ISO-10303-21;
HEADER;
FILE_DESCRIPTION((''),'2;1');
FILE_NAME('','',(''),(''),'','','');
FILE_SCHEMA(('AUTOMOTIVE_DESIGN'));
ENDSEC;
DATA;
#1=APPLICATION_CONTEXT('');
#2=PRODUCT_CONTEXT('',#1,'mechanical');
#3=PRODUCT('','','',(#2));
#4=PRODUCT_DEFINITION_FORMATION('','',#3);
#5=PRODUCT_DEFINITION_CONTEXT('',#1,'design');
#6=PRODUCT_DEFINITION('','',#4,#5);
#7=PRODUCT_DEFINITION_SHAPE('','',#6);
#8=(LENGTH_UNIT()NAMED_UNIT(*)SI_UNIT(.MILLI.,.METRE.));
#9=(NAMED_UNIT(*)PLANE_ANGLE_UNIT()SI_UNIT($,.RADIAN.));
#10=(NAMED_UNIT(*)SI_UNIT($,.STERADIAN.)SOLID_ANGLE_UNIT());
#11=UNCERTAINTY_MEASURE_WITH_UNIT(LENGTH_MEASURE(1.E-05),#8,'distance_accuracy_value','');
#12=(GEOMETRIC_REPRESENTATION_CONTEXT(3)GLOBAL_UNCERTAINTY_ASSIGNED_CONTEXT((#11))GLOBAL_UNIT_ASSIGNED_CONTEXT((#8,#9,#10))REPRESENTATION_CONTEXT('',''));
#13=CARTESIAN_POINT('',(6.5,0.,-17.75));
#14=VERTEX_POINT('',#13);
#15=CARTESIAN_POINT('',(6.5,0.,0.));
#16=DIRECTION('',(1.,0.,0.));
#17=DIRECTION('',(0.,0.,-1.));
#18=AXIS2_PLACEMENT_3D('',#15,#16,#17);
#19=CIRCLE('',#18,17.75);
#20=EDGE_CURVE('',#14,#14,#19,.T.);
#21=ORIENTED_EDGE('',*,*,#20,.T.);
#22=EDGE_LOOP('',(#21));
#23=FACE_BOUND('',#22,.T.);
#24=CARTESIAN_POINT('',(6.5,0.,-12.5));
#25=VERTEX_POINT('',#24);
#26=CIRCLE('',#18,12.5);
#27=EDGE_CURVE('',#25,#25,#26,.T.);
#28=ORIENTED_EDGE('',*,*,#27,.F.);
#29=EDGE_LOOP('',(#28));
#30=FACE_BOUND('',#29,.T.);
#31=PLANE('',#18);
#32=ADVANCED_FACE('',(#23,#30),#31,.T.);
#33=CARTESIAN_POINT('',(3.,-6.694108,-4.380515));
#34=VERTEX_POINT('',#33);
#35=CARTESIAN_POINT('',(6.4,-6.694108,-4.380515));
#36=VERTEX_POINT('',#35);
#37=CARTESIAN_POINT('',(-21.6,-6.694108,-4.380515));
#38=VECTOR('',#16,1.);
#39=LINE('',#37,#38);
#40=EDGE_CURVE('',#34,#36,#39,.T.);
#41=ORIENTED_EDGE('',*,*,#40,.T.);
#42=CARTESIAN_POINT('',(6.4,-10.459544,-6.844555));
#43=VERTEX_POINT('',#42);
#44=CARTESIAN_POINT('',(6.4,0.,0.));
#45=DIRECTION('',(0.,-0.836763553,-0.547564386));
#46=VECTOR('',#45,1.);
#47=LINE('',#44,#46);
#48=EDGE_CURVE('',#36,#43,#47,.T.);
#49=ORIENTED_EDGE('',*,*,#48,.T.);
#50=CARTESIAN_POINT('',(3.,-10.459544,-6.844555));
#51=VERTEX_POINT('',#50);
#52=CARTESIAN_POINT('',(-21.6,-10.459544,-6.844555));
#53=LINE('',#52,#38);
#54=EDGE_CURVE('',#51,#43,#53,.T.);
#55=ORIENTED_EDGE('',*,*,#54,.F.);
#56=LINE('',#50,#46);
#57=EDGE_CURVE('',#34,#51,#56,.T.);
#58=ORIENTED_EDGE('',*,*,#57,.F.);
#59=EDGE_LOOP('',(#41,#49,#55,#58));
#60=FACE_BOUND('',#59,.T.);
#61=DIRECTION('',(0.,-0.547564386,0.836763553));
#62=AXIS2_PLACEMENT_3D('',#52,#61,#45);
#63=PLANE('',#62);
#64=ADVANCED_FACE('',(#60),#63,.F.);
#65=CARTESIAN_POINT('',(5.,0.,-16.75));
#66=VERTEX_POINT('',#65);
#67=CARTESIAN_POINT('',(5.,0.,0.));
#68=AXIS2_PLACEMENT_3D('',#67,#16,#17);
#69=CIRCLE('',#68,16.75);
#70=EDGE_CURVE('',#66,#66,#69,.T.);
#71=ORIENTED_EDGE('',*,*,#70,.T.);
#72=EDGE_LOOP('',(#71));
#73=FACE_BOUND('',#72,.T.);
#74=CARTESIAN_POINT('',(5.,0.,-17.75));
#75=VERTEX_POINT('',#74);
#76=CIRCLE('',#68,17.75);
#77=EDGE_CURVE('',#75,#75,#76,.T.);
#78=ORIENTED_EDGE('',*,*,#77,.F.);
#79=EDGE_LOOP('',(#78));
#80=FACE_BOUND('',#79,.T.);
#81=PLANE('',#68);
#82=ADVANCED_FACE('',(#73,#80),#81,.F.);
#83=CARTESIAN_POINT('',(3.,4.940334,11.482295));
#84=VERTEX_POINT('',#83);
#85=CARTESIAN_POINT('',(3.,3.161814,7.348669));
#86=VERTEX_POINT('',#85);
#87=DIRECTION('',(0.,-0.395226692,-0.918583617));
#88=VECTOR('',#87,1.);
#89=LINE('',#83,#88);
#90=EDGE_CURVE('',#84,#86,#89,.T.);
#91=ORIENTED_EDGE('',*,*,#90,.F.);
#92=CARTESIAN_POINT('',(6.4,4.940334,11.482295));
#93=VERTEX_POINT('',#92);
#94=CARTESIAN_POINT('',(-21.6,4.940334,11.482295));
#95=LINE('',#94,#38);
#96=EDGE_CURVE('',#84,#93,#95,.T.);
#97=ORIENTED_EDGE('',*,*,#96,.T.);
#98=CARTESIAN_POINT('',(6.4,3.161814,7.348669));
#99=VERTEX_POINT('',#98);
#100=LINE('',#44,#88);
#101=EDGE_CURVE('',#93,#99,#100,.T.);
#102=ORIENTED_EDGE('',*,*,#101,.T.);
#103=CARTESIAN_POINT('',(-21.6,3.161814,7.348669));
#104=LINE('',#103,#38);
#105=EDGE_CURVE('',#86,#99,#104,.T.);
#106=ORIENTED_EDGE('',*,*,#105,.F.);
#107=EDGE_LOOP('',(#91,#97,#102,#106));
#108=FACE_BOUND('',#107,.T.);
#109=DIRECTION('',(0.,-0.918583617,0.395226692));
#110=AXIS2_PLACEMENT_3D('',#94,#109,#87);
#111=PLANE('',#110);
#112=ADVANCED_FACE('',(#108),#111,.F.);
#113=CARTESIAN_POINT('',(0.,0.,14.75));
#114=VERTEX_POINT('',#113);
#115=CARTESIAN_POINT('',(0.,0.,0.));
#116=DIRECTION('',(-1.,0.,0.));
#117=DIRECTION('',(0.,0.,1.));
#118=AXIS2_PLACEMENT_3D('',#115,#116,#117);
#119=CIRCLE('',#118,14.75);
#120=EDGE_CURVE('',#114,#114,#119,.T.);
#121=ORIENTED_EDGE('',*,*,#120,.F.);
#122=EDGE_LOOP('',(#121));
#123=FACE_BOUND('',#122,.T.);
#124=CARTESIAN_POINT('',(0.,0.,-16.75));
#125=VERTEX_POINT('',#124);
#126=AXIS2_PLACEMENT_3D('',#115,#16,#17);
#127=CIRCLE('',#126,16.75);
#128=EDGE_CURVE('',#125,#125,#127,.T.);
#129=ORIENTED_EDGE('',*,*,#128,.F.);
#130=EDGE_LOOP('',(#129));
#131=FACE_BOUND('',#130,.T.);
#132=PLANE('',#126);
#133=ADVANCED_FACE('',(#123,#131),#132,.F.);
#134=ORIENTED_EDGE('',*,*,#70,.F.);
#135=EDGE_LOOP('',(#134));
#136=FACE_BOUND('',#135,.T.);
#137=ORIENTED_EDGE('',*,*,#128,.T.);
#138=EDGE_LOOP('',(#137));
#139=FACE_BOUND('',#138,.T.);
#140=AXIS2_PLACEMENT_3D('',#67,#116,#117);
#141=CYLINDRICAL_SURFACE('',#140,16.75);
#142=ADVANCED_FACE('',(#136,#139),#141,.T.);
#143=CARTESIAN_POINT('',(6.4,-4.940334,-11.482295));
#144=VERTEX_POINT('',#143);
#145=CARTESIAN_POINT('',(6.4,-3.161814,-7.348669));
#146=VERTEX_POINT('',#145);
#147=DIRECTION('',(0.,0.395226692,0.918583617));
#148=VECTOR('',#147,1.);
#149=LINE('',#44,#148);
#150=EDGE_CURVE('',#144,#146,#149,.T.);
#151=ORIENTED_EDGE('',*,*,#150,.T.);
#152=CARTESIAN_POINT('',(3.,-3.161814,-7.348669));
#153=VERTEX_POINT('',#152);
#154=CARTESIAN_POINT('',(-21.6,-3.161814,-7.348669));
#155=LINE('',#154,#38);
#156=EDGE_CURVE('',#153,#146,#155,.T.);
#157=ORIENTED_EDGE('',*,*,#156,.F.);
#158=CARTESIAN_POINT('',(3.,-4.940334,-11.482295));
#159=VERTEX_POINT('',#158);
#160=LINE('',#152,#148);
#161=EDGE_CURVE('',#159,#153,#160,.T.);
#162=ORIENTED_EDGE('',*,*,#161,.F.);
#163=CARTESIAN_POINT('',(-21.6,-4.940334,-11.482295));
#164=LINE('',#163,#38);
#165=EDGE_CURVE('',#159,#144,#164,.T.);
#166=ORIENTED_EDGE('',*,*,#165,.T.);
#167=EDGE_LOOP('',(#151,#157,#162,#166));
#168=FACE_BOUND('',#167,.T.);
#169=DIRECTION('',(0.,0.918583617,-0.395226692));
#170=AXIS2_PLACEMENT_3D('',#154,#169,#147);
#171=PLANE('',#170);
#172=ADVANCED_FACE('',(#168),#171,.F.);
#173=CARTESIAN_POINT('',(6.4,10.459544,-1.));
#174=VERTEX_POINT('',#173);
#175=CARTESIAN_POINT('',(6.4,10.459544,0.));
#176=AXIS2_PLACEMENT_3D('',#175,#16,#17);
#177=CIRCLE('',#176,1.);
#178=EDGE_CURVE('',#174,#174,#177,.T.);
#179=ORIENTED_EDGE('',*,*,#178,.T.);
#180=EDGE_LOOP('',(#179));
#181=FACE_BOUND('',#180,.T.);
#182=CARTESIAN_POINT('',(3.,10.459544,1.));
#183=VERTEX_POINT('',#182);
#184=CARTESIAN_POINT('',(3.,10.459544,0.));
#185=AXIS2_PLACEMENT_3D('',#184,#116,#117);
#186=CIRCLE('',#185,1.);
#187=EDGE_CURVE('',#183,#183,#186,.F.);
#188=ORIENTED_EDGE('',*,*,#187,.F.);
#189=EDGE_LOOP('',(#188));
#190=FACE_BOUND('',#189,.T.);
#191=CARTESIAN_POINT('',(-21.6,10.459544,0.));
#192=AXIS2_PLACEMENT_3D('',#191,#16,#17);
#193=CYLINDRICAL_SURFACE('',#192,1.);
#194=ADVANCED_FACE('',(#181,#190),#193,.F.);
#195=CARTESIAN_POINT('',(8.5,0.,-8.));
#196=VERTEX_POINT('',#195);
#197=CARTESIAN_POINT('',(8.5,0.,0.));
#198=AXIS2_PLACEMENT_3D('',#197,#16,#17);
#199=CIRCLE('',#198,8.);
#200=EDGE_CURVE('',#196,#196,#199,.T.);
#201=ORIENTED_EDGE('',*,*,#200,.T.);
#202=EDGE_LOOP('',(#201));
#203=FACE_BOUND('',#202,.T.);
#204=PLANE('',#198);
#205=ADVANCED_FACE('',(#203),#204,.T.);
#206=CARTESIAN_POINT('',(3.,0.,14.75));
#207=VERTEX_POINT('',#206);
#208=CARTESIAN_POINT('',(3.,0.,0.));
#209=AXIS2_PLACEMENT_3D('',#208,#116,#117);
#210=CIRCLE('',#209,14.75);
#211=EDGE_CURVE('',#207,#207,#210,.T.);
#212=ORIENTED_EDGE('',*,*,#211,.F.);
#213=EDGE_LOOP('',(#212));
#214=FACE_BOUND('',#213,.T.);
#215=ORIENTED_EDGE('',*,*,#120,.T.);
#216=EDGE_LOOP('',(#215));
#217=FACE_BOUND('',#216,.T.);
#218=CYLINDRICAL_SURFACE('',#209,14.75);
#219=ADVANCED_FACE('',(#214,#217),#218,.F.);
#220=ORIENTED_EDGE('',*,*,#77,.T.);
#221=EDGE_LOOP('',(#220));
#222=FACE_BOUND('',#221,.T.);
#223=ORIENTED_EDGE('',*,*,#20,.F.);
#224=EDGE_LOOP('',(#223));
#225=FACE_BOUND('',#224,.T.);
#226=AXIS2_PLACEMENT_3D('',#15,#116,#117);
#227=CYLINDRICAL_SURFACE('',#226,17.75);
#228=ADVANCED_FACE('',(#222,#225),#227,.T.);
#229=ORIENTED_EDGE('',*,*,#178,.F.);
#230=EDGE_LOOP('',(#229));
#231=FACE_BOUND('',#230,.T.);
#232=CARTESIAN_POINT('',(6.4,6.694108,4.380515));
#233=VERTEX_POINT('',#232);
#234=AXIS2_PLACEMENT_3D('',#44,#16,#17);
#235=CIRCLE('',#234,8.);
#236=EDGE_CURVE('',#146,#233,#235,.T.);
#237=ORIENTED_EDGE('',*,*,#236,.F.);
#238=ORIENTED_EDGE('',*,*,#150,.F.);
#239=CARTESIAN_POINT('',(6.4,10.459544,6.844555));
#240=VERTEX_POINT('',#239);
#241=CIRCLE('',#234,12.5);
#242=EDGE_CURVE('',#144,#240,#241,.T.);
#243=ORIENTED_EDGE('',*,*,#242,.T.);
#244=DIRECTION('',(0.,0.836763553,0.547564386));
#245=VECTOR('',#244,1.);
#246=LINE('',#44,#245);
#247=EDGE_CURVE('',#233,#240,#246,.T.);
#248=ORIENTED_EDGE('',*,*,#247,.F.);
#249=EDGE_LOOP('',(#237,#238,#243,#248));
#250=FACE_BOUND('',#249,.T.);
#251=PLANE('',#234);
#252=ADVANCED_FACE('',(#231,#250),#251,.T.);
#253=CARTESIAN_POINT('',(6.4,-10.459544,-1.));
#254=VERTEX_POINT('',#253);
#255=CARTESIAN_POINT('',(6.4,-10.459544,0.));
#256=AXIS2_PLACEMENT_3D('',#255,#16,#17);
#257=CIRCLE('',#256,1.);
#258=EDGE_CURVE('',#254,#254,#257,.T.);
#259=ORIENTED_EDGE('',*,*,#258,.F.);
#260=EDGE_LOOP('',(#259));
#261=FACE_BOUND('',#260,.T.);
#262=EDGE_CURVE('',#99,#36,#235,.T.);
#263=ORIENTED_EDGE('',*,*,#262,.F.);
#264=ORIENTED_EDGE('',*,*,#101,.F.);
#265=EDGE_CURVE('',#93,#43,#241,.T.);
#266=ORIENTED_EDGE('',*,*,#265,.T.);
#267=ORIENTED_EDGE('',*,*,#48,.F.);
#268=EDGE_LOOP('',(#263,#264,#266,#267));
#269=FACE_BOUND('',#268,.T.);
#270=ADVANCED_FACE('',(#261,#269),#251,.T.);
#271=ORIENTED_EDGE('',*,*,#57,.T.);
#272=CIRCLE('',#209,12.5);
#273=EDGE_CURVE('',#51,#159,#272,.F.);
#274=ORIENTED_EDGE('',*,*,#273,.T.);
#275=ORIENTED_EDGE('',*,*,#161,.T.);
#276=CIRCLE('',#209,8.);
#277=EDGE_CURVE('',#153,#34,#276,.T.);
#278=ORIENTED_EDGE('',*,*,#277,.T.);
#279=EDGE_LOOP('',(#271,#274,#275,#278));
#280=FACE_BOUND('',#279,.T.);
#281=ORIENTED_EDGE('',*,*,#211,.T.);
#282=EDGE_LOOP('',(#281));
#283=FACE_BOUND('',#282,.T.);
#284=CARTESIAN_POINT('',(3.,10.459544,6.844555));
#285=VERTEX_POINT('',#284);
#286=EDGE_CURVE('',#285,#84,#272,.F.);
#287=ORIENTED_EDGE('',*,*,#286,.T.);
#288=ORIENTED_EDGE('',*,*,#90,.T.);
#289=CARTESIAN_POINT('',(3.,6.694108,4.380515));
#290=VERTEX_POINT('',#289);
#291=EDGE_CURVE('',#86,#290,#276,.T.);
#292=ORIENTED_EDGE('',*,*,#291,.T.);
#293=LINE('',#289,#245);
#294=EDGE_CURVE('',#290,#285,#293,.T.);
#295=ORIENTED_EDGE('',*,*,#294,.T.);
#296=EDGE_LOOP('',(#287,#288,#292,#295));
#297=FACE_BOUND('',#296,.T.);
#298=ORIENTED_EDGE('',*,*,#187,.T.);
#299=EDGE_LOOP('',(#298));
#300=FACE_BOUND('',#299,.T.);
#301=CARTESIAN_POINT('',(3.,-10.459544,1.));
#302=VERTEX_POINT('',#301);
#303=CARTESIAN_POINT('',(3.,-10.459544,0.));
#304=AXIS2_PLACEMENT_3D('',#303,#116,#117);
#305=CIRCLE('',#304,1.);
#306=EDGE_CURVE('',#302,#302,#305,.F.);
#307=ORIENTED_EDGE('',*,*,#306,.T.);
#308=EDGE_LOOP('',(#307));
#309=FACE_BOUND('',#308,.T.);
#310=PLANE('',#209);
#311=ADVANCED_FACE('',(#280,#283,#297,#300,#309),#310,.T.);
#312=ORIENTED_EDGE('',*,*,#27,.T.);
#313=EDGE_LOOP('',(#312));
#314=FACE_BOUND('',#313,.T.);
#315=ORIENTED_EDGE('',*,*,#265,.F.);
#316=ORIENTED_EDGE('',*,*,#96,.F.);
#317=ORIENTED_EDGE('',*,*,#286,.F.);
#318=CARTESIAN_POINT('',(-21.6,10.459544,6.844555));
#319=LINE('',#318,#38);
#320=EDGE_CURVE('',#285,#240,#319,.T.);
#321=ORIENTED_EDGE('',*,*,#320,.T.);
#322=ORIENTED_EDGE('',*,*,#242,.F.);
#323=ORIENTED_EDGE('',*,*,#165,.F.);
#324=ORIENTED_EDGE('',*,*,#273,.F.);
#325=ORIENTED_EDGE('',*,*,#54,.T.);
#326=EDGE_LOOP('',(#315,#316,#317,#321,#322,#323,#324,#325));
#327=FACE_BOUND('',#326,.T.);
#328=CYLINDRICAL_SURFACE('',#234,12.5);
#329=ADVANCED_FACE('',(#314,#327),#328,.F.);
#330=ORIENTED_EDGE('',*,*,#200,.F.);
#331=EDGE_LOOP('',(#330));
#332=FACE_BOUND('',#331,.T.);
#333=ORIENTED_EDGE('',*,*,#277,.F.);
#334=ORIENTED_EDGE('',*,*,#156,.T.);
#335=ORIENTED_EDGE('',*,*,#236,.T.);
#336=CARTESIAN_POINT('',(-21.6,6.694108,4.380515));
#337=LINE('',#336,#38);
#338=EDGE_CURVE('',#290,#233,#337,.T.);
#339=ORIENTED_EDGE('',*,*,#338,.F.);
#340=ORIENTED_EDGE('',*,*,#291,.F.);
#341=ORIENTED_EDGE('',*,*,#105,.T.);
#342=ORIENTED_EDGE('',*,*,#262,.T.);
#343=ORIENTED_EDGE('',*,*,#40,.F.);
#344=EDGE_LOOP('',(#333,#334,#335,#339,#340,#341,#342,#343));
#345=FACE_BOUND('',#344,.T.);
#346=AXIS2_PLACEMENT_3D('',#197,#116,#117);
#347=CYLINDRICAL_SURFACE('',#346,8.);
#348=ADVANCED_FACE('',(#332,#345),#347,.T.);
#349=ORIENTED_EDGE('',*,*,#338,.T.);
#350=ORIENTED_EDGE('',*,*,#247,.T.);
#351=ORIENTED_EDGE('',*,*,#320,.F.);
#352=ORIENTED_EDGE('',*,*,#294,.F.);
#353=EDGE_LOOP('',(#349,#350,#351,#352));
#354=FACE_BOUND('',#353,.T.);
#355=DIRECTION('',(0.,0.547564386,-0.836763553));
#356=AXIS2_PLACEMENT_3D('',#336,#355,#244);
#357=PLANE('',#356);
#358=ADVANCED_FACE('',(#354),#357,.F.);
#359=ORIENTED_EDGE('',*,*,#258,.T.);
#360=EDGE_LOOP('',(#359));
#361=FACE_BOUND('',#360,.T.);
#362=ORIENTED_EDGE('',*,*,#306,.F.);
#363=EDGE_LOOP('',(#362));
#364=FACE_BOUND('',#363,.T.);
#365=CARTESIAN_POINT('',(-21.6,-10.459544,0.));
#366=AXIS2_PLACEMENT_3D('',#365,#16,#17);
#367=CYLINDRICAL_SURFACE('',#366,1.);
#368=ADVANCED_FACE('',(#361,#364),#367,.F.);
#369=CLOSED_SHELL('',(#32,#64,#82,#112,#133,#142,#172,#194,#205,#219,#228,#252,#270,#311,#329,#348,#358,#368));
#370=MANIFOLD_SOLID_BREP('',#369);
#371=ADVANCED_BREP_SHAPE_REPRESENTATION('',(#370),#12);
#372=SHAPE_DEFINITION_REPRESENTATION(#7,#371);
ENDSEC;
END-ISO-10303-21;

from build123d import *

# Parameters (mm, degrees)
SKETCH1_R          = 16.75
EXTRUDE1_DEPTH     = 5
SKETCH2_R          = 17.75
EXTRUDE2_DEPTH     = 1.5
SKETCH3_R          = 8
EXTRUDE3_DEPTH     = 2
SKETCH4_R          = 12.5
SKETCH4_R_2        = 8
CUT_EXTRUDE1_DEPTH = 0.1
SKETCH5_R          = 1
CUT_EXTRUDE2_DEPTH = 30.1
SKETCH6_R          = 14.75
CUT_EXTRUDE3_DEPTH = 3


with BuildPart() as part:
    # Sketch1 → Extrude1 (new body)
    with BuildSketch(Plane(origin=(0, 0, 0), x_dir=(0, 0, -1), z_dir=(1, 0, 0))):
        Circle(SKETCH1_R)
    extrude(amount=EXTRUDE1_DEPTH)

    # Sketch2 → Extrude2 (add)
    with BuildSketch(Plane(origin=(5, 0, 0), x_dir=(0, 0, -1), z_dir=(1, 0, 0))):
        Circle(SKETCH2_R)
    extrude(amount=EXTRUDE2_DEPTH)

    # Sketch3 → Extrude3 (add)
    with BuildSketch(Plane(origin=(6.5, 0, 0), x_dir=(0, 0, -1), z_dir=(1, 0, 0))):
        Circle(SKETCH3_R)
    extrude(amount=EXTRUDE3_DEPTH)

    # Sketch4 → Cut-Extrude1 (cut)
    with BuildSketch(Plane(origin=(6.5, 0, 0), x_dir=(0, 0, -1), z_dir=(1, 0, 0))):
        Circle(SKETCH4_R)
        Circle(SKETCH4_R_2, mode=Mode.SUBTRACT)
    extrude(amount=-CUT_EXTRUDE1_DEPTH, mode=Mode.SUBTRACT)

    # Sketch5 → Cut-Extrude2 (cut)
    with BuildSketch(Plane(origin=(8.5, 0, 0), x_dir=(0, 0, -1), z_dir=(1, 0, 0))):
        with Locations((0, 10.459544408)):
            Circle(SKETCH5_R)
        with Locations((0, -10.459544408)):
            Circle(SKETCH5_R)
        with BuildLine():
            Line((-11.482295218, 4.940333646), (-7.348668939, 3.161813533))
            ThreePointArc((-7.348668939, 3.161813533), (-6.12476255, 5.146579807), (-4.380515089, 6.694108421))
            Line((-4.380515089, 6.694108421), (-6.844554827, 10.459544408))
            ThreePointArc((-6.844554827, 10.459544408), (-9.569941484, 8.041530949), (-11.482295218, 4.940333646))
        make_face()
        with BuildLine():
            Line((6.844554827, -10.459544408), (4.380515089, -6.694108421))
            ThreePointArc((4.380515089, -6.694108421), (6.12476255, -5.146579807), (7.348668939, -3.161813533))
            Line((7.348668939, -3.161813533), (11.482295218, -4.940333646))
            ThreePointArc((11.482295218, -4.940333646), (9.569941484, -8.041530949), (6.844554827, -10.459544408))
        make_face()
    extrude(amount=-CUT_EXTRUDE2_DEPTH, mode=Mode.SUBTRACT)

    # Sketch6 → Cut-Extrude3 (cut)
    with BuildSketch(Plane.ZY):
        Circle(SKETCH6_R)
    extrude(amount=-CUT_EXTRUDE3_DEPTH, mode=Mode.SUBTRACT)


solid = part.part
